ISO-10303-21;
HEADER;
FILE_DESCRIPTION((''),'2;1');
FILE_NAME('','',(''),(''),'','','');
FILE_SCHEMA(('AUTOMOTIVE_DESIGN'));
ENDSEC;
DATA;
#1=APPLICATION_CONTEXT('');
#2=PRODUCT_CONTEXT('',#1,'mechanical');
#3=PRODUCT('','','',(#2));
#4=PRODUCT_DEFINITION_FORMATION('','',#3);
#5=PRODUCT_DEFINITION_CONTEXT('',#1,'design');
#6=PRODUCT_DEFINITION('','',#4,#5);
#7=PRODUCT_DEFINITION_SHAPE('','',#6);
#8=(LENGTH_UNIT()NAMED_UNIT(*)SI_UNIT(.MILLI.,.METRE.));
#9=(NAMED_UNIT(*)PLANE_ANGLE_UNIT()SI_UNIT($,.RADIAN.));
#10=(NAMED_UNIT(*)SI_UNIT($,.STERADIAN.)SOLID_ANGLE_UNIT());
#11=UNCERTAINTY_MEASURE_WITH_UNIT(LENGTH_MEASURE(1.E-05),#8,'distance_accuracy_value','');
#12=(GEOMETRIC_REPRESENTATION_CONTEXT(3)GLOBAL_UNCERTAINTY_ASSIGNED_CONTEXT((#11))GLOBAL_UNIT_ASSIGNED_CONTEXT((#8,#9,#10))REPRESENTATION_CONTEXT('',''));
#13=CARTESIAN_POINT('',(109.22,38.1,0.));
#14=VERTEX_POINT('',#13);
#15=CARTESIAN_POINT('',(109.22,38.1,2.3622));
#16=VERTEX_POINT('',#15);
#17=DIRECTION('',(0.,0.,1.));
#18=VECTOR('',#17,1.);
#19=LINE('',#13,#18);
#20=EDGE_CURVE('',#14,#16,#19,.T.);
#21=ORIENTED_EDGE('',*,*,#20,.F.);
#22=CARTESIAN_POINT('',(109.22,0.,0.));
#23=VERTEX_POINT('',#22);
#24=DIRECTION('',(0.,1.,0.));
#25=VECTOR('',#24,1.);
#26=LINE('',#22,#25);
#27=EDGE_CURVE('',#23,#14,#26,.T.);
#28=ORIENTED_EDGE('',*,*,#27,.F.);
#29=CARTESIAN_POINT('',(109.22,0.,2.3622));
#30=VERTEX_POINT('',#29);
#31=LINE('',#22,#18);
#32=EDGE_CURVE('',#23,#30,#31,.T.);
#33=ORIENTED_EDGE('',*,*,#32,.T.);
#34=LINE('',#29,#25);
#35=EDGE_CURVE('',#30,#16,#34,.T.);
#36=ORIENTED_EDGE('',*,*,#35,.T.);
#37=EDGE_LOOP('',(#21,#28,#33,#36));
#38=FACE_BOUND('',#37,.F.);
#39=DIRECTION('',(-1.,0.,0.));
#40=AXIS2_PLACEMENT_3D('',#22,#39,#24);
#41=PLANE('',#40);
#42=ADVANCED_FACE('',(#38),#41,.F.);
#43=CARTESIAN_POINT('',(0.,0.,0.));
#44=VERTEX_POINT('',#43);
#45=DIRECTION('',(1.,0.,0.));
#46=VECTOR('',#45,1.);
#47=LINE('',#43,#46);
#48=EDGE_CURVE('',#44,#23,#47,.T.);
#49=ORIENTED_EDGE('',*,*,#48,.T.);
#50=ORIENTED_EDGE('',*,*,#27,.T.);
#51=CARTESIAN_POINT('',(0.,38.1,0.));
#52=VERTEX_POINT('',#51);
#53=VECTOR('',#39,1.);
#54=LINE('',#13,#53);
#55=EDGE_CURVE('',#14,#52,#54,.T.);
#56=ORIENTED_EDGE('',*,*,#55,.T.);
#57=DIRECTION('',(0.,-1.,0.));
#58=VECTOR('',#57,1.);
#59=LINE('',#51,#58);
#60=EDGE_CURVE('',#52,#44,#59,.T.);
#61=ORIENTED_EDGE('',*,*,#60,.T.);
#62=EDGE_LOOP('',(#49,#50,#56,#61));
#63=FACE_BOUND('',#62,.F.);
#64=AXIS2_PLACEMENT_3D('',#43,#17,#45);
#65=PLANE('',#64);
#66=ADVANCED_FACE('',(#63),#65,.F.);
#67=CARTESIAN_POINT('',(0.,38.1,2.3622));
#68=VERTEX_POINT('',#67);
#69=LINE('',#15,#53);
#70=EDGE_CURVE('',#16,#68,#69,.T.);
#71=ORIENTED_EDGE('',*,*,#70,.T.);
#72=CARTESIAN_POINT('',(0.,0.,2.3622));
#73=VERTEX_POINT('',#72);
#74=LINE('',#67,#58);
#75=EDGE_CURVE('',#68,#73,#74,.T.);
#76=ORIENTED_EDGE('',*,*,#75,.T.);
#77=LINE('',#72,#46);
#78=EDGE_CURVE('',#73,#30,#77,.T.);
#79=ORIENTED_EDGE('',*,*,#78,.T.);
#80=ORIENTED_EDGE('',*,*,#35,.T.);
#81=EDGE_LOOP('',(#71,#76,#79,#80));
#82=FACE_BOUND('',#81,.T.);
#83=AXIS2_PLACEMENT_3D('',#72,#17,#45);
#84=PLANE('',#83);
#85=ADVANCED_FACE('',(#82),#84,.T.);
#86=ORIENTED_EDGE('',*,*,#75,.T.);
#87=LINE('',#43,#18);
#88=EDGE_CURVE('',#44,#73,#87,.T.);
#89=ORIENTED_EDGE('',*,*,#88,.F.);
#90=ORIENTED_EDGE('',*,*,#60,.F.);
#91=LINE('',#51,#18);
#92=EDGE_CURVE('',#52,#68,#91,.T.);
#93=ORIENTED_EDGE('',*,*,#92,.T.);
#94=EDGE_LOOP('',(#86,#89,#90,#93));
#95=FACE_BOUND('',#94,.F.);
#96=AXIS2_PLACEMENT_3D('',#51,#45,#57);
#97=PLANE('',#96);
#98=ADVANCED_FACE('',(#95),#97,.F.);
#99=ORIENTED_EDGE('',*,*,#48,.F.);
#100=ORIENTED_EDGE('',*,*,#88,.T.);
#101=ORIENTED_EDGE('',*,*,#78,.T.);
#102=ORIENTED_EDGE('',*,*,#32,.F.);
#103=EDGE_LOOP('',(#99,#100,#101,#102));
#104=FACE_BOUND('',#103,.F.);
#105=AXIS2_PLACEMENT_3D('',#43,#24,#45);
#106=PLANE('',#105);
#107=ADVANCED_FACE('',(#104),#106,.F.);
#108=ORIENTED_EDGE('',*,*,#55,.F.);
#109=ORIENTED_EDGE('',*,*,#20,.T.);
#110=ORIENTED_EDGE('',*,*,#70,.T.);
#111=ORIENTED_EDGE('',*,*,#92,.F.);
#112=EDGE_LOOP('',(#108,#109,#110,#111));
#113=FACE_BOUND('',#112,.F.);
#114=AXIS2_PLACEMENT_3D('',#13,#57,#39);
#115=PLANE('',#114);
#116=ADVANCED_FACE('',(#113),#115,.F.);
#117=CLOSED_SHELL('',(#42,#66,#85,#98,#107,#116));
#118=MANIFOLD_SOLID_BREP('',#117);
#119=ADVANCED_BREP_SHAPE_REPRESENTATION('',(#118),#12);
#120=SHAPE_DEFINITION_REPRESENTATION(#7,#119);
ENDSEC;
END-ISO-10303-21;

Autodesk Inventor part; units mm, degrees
ref_plane "YZ Plane" through (0, 0, 0) normal (1, 0, 0) x (0, 1, 0)
ref_plane "XZ Plane" through (0, 0, 0) normal (0, 1, 0) x (-1, 0, 0)
ref_plane "XY Plane" through (0, 0, 0) normal (0, 0, 1) x (1, 0, 0)
sketch "Sketch1" plane through (0, 0, 0) normal (0, 0, 1) x (1, 0, 0)
  line L0 (0, 0) -> (109.22, 0)
  line L1 (109.22, 0) -> (109.22, 38.1)
  line L2 (109.22, 38.1) -> (0, 38.1)
  line L3 (0, 38.1) -> (0, 0)
  dimension "d0" = 109.22
  dimension "d2" = 38.1
extrude "Extrusion1" add sketch "Sketch1" along normal blind 2.3622
properties part number "Plate_Rear_Poly" material "Polycarbonate, Clear"
